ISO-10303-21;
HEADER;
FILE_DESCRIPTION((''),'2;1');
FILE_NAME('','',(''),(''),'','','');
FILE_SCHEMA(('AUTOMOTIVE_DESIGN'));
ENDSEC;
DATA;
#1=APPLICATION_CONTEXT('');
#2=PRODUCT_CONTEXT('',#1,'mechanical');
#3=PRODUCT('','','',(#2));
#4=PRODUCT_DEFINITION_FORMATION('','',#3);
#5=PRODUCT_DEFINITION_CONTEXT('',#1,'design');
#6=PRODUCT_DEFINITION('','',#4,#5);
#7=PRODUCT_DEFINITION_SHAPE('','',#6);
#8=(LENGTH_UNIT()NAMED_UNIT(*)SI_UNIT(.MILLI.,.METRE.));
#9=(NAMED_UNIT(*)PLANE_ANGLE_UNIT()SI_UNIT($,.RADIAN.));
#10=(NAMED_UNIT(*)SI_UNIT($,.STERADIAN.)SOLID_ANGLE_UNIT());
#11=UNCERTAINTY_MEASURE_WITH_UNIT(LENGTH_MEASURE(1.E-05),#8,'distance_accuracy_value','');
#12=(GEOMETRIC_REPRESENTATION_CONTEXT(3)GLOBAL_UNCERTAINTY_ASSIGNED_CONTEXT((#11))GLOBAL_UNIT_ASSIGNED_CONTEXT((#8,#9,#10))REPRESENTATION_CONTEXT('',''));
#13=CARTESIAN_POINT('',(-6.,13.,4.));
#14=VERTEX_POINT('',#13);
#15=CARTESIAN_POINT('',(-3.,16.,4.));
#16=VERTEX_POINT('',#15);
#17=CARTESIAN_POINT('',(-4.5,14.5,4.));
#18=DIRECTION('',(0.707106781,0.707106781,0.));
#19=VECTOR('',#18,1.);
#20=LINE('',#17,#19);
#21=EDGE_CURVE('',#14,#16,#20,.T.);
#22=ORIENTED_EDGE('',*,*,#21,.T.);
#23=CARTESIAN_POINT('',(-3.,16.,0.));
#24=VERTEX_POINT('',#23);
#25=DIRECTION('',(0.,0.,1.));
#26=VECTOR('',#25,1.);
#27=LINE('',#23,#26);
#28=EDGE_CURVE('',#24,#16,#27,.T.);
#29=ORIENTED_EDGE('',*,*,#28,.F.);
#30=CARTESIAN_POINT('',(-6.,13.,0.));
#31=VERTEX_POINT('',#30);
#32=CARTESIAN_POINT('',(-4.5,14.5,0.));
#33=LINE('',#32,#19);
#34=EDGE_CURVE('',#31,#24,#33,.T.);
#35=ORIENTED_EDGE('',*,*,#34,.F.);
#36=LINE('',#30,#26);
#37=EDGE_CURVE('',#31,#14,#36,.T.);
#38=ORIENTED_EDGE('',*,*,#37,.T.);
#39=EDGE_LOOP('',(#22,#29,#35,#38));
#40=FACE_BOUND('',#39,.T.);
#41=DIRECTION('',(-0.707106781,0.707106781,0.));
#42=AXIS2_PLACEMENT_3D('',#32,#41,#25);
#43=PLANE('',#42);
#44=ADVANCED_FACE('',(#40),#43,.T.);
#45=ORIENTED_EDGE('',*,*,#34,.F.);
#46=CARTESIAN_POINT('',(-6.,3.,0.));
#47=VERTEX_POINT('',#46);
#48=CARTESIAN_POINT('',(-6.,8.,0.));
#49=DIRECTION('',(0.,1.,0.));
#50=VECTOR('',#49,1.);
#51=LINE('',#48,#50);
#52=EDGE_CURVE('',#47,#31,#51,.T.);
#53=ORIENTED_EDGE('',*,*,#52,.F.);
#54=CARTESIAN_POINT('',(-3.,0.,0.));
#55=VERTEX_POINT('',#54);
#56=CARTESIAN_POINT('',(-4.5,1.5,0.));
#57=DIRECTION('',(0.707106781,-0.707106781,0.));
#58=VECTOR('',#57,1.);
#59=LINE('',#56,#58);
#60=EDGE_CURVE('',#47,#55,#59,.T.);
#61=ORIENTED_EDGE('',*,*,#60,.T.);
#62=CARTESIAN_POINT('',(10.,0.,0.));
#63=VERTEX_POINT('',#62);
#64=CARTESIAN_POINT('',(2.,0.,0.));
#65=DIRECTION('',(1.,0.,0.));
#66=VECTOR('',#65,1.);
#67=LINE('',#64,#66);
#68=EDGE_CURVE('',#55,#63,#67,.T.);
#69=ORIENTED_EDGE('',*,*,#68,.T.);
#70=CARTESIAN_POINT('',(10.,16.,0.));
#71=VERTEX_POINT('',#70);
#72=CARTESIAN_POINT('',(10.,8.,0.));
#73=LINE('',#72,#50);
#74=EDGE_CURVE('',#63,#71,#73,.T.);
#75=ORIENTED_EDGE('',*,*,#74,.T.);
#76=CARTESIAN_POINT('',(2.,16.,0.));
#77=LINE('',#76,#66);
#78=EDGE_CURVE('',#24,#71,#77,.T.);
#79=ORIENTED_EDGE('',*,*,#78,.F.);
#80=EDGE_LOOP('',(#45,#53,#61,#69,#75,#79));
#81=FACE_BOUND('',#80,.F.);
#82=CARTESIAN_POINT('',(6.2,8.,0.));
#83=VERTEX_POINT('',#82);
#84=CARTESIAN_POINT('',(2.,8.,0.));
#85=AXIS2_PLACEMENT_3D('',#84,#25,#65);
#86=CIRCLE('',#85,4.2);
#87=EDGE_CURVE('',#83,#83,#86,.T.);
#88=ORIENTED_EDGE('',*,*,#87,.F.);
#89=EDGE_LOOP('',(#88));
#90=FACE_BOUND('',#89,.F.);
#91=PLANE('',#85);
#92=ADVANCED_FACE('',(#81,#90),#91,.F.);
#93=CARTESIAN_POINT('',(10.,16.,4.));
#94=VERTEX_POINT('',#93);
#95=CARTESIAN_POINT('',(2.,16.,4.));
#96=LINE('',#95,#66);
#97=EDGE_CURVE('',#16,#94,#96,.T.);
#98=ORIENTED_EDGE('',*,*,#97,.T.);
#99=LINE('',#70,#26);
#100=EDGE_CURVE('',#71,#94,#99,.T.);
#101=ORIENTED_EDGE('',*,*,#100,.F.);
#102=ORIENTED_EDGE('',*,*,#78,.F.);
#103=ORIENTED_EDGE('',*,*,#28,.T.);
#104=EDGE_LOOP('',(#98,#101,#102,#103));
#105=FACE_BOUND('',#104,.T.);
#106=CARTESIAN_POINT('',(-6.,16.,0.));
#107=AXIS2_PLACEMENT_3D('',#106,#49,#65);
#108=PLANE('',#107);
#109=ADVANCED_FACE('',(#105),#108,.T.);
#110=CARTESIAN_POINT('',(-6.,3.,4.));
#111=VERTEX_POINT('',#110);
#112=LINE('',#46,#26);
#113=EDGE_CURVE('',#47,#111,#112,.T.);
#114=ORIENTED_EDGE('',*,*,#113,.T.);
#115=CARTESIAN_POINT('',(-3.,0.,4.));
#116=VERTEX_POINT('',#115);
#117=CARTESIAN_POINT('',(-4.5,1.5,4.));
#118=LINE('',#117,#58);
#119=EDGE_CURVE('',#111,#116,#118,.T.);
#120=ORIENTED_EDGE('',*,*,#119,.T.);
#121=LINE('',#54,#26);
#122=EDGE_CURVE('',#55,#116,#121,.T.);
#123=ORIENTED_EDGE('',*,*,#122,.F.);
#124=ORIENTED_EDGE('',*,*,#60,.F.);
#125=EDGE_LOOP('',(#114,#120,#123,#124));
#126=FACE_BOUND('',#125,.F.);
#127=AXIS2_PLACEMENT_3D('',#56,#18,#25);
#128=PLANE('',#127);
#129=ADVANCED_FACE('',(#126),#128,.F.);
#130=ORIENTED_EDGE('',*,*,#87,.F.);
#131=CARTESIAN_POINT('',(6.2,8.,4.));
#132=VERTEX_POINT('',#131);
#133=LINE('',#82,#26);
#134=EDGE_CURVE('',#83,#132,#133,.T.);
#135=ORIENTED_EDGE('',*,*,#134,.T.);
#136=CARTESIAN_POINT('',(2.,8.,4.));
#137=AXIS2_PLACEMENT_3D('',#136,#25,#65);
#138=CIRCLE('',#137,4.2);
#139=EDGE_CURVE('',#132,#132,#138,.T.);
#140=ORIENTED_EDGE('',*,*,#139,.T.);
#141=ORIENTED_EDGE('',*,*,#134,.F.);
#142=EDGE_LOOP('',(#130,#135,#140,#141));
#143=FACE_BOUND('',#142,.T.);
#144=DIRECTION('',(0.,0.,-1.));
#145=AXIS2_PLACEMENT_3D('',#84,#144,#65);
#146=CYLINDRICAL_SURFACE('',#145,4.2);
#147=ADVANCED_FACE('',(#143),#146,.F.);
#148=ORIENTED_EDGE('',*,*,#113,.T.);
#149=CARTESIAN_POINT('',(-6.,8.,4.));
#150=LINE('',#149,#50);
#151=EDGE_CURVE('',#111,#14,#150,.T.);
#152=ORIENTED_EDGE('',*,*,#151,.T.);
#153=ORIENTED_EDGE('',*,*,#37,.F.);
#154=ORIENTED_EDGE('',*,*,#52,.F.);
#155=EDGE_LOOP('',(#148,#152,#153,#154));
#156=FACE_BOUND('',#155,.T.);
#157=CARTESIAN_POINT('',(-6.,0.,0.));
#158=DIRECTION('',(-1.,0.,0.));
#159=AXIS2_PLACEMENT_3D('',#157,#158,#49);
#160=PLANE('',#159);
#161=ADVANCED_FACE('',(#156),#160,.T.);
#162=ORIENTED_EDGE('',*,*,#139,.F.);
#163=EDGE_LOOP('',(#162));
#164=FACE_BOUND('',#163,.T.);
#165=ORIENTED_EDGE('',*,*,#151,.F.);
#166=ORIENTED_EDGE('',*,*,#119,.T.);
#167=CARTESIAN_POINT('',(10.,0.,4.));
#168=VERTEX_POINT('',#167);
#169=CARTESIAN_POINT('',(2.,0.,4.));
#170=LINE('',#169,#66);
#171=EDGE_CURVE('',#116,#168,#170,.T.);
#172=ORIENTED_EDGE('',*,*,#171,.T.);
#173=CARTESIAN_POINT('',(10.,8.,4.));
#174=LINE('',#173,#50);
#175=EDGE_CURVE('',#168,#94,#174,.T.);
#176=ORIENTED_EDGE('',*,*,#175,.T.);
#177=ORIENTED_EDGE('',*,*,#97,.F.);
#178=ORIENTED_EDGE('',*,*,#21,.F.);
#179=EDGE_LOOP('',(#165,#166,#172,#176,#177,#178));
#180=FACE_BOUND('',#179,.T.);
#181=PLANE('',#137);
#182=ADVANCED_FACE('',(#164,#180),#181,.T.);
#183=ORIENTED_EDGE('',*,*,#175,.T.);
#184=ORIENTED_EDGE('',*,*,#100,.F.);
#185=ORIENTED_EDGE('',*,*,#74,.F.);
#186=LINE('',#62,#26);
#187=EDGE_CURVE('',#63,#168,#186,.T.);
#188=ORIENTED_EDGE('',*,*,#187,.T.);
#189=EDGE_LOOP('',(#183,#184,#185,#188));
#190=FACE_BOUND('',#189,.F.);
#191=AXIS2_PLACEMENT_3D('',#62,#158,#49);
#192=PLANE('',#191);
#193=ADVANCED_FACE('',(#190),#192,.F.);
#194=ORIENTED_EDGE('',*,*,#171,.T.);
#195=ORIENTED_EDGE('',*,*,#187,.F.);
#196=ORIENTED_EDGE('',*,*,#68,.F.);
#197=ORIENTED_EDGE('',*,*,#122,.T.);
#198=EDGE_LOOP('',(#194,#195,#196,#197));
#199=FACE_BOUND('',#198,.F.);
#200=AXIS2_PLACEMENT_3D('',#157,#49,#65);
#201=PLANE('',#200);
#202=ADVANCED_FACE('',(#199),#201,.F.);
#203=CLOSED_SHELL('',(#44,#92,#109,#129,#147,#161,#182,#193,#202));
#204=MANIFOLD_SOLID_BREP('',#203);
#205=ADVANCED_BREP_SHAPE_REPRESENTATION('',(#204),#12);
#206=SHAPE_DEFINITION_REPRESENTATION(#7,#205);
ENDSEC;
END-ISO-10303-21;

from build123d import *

# Parameters (mm, degrees)
CYLINDER_R     = 4.2
CYLINDER_DEPTH = 4
BOX003_W       = 16
BOX003_H       = 16
BOX003_DEPTH   = 4
CHAMFER_SIZE   = 3


with BuildPart() as cylinder:
    # Cylinder → Cylinder (new body)
    with BuildSketch(Plane(origin=(2, 8, 0), x_dir=(1, 0, 0), z_dir=(0, 0, 1))):
        Circle(CYLINDER_R)
    extrude(amount=CYLINDER_DEPTH)


with BuildPart() as chamfer_body:
    # Box003 → Box003 (new body)
    with BuildSketch(Plane(origin=(-6, 0, 0), x_dir=(1, 0, 0), z_dir=(0, 0, 1))):
        with Locations((8, 8)):
            Rectangle(BOX003_W, BOX003_H)
    extrude(amount=BOX003_DEPTH)

    # Cut003: cut Cylinder
    add(cylinder.part, mode=Mode.SUBTRACT)

    # Chamfer
    chamfer_edges = [chamfer_body.edges().sort_by_distance(p)[0] for p in [
        (-6, 0, 2),
        (-6, 16, 2),
    ]]
    chamfer(chamfer_edges, length=CHAMFER_SIZE)


solid = chamfer_body.part
